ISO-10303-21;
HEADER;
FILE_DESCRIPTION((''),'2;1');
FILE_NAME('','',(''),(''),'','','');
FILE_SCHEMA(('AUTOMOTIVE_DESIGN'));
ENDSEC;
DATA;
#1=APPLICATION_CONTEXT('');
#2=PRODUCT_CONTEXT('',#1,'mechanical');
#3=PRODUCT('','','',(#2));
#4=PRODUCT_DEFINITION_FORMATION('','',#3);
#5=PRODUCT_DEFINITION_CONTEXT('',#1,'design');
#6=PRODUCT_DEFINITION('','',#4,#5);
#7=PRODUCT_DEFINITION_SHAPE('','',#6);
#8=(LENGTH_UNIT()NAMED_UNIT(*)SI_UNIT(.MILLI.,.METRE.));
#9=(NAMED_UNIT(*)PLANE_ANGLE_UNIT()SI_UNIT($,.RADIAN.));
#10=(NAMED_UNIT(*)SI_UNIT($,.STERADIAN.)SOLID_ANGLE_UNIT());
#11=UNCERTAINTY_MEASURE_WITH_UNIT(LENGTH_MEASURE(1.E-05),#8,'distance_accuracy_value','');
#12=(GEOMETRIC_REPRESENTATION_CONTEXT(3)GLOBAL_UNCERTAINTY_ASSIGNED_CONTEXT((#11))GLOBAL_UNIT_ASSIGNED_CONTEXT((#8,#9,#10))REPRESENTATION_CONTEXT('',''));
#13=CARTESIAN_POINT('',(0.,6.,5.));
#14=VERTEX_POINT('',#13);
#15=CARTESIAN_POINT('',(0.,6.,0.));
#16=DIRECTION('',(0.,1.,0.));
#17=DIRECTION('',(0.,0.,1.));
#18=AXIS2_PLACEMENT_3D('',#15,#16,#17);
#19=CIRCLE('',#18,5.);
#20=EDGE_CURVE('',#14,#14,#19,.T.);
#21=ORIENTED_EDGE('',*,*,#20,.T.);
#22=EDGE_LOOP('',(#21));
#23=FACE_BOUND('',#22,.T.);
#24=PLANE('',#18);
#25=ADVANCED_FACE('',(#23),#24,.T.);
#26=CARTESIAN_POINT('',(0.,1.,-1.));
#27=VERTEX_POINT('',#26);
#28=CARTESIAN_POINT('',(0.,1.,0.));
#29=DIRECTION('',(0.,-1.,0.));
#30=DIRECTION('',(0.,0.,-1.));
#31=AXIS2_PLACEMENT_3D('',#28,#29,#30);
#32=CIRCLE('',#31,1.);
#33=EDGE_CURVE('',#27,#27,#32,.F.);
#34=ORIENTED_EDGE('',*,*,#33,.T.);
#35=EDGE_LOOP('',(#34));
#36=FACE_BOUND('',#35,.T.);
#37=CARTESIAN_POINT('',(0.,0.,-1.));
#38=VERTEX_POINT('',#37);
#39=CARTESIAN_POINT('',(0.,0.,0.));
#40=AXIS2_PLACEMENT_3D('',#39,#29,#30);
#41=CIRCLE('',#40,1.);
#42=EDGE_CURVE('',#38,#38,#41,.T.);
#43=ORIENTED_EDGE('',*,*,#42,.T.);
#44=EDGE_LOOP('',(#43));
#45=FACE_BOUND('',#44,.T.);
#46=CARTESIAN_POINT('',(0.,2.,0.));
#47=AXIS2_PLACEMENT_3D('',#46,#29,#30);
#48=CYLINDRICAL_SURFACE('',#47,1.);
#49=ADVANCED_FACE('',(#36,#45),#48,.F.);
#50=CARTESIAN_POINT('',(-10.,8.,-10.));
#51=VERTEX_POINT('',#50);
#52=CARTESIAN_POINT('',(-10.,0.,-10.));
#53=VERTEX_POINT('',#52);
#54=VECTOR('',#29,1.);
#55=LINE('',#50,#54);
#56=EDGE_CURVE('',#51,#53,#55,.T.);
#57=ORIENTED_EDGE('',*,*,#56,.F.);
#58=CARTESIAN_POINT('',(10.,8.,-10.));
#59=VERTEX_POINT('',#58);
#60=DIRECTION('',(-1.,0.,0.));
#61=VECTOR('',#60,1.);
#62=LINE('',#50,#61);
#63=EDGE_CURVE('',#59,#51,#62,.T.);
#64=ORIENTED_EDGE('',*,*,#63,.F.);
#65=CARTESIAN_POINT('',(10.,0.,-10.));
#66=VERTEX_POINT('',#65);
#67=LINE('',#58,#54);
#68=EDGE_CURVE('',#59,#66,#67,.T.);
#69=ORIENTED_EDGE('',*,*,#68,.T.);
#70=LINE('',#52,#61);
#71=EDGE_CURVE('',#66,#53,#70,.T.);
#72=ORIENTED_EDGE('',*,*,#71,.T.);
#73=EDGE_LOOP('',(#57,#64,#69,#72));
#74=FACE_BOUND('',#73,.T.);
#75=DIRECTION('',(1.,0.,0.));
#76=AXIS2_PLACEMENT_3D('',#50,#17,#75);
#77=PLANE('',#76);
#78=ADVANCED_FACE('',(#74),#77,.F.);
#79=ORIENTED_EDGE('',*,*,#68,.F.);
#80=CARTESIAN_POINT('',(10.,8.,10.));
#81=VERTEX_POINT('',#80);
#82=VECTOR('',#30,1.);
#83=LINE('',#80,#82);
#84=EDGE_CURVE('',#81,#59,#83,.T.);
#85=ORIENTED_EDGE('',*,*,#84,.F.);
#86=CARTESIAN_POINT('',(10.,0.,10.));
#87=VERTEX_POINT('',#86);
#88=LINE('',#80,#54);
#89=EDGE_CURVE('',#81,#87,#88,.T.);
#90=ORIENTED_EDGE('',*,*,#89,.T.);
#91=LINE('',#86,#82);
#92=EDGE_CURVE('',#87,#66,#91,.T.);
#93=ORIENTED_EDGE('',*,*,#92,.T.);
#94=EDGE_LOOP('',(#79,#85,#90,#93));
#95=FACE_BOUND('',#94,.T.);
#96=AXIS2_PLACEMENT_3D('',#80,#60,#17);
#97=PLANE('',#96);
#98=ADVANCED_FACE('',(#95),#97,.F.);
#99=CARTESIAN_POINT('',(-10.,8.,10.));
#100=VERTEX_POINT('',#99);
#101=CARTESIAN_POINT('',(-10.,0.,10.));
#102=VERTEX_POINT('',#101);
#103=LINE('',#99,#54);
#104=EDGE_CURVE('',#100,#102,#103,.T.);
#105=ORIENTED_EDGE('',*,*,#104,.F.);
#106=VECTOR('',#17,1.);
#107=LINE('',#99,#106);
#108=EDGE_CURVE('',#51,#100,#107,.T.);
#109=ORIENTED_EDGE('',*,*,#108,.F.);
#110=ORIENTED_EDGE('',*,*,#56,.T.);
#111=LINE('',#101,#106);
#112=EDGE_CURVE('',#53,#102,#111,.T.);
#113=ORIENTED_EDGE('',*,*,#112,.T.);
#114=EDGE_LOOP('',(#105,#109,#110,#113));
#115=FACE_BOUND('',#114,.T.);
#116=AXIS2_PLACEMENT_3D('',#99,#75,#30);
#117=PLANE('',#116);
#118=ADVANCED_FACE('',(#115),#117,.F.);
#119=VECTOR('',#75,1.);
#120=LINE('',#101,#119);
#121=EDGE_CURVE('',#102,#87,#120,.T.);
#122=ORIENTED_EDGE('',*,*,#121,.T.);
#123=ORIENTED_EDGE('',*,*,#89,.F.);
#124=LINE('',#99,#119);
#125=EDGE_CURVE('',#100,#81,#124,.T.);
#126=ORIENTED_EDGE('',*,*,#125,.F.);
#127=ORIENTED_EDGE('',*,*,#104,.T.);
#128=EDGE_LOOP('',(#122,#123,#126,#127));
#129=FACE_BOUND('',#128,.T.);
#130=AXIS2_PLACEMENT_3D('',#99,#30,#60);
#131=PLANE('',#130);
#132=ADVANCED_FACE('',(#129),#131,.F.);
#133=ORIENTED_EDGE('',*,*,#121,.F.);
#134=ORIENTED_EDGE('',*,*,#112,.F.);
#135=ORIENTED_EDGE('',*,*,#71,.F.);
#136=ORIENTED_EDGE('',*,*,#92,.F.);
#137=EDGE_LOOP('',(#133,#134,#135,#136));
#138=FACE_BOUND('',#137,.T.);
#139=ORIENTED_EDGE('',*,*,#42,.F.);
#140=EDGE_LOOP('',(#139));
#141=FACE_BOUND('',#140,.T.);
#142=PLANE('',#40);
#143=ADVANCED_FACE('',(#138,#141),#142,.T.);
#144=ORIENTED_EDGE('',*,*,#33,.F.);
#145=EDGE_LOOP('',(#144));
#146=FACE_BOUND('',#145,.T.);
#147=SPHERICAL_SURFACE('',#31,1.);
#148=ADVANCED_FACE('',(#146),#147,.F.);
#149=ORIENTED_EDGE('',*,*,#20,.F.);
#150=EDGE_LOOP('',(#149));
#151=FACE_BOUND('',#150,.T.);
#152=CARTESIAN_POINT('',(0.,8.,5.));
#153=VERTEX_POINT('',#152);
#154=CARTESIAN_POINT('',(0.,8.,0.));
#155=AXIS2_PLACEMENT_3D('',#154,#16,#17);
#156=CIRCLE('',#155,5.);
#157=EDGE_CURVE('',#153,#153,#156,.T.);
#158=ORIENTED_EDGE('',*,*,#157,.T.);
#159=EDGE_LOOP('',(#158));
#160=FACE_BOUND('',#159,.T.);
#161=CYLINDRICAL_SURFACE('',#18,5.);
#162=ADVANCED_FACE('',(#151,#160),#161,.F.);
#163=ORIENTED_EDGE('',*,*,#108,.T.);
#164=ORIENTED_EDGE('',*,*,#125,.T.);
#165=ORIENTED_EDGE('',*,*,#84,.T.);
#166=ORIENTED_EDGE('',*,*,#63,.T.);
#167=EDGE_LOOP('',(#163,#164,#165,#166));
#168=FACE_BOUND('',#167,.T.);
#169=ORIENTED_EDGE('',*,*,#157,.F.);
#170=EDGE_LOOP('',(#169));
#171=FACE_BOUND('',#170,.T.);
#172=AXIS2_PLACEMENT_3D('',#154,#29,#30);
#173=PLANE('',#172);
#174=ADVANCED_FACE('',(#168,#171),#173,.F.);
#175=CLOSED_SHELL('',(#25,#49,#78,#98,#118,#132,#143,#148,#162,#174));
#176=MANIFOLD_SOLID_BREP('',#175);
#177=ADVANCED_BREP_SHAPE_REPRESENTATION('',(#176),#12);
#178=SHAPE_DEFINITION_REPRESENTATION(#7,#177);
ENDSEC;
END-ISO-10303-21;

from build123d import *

# Parameters (mm, degrees)
SKETCH1_W           = 20
SKETCH1_H           = 20
BOSS_EXTRUDE1_DEPTH = 8
SKETCH2_R           = 5
CUT_EXTRUDE1_DEPTH  = 2
SKETCH3_R           = 1
CUT_EXTRUDE2_DEPTH  = 2
FILLET1_R           = 1


with BuildPart() as part:
    # Sketch1 → Boss-Extrude1 (new body)
    with BuildSketch(Plane(origin=(0, 0, 0), x_dir=(1, 0, 0), z_dir=(0, 1, 0))):
        Rectangle(SKETCH1_W, SKETCH1_H)
    extrude(amount=BOSS_EXTRUDE1_DEPTH)

    # Sketch2 → Cut-Extrude1 (cut)
    with BuildSketch(Plane(origin=(0, 8, 0), x_dir=(1, 0, 0), z_dir=(0, 1, 0))):
        Circle(SKETCH2_R)
    extrude(amount=-CUT_EXTRUDE1_DEPTH, mode=Mode.SUBTRACT)

    # Sketch3 → Cut-Extrude2 (cut)
    with BuildSketch(Plane.XZ):
        Circle(SKETCH3_R)
    extrude(amount=-CUT_EXTRUDE2_DEPTH, mode=Mode.SUBTRACT)

    # Fillet1
    fillet1_edges = [part.edges().sort_by_distance(p)[0] for p in [
        (-1, 2, 0),
    ]]
    fillet(fillet1_edges, radius=FILLET1_R)


solid = part.part
